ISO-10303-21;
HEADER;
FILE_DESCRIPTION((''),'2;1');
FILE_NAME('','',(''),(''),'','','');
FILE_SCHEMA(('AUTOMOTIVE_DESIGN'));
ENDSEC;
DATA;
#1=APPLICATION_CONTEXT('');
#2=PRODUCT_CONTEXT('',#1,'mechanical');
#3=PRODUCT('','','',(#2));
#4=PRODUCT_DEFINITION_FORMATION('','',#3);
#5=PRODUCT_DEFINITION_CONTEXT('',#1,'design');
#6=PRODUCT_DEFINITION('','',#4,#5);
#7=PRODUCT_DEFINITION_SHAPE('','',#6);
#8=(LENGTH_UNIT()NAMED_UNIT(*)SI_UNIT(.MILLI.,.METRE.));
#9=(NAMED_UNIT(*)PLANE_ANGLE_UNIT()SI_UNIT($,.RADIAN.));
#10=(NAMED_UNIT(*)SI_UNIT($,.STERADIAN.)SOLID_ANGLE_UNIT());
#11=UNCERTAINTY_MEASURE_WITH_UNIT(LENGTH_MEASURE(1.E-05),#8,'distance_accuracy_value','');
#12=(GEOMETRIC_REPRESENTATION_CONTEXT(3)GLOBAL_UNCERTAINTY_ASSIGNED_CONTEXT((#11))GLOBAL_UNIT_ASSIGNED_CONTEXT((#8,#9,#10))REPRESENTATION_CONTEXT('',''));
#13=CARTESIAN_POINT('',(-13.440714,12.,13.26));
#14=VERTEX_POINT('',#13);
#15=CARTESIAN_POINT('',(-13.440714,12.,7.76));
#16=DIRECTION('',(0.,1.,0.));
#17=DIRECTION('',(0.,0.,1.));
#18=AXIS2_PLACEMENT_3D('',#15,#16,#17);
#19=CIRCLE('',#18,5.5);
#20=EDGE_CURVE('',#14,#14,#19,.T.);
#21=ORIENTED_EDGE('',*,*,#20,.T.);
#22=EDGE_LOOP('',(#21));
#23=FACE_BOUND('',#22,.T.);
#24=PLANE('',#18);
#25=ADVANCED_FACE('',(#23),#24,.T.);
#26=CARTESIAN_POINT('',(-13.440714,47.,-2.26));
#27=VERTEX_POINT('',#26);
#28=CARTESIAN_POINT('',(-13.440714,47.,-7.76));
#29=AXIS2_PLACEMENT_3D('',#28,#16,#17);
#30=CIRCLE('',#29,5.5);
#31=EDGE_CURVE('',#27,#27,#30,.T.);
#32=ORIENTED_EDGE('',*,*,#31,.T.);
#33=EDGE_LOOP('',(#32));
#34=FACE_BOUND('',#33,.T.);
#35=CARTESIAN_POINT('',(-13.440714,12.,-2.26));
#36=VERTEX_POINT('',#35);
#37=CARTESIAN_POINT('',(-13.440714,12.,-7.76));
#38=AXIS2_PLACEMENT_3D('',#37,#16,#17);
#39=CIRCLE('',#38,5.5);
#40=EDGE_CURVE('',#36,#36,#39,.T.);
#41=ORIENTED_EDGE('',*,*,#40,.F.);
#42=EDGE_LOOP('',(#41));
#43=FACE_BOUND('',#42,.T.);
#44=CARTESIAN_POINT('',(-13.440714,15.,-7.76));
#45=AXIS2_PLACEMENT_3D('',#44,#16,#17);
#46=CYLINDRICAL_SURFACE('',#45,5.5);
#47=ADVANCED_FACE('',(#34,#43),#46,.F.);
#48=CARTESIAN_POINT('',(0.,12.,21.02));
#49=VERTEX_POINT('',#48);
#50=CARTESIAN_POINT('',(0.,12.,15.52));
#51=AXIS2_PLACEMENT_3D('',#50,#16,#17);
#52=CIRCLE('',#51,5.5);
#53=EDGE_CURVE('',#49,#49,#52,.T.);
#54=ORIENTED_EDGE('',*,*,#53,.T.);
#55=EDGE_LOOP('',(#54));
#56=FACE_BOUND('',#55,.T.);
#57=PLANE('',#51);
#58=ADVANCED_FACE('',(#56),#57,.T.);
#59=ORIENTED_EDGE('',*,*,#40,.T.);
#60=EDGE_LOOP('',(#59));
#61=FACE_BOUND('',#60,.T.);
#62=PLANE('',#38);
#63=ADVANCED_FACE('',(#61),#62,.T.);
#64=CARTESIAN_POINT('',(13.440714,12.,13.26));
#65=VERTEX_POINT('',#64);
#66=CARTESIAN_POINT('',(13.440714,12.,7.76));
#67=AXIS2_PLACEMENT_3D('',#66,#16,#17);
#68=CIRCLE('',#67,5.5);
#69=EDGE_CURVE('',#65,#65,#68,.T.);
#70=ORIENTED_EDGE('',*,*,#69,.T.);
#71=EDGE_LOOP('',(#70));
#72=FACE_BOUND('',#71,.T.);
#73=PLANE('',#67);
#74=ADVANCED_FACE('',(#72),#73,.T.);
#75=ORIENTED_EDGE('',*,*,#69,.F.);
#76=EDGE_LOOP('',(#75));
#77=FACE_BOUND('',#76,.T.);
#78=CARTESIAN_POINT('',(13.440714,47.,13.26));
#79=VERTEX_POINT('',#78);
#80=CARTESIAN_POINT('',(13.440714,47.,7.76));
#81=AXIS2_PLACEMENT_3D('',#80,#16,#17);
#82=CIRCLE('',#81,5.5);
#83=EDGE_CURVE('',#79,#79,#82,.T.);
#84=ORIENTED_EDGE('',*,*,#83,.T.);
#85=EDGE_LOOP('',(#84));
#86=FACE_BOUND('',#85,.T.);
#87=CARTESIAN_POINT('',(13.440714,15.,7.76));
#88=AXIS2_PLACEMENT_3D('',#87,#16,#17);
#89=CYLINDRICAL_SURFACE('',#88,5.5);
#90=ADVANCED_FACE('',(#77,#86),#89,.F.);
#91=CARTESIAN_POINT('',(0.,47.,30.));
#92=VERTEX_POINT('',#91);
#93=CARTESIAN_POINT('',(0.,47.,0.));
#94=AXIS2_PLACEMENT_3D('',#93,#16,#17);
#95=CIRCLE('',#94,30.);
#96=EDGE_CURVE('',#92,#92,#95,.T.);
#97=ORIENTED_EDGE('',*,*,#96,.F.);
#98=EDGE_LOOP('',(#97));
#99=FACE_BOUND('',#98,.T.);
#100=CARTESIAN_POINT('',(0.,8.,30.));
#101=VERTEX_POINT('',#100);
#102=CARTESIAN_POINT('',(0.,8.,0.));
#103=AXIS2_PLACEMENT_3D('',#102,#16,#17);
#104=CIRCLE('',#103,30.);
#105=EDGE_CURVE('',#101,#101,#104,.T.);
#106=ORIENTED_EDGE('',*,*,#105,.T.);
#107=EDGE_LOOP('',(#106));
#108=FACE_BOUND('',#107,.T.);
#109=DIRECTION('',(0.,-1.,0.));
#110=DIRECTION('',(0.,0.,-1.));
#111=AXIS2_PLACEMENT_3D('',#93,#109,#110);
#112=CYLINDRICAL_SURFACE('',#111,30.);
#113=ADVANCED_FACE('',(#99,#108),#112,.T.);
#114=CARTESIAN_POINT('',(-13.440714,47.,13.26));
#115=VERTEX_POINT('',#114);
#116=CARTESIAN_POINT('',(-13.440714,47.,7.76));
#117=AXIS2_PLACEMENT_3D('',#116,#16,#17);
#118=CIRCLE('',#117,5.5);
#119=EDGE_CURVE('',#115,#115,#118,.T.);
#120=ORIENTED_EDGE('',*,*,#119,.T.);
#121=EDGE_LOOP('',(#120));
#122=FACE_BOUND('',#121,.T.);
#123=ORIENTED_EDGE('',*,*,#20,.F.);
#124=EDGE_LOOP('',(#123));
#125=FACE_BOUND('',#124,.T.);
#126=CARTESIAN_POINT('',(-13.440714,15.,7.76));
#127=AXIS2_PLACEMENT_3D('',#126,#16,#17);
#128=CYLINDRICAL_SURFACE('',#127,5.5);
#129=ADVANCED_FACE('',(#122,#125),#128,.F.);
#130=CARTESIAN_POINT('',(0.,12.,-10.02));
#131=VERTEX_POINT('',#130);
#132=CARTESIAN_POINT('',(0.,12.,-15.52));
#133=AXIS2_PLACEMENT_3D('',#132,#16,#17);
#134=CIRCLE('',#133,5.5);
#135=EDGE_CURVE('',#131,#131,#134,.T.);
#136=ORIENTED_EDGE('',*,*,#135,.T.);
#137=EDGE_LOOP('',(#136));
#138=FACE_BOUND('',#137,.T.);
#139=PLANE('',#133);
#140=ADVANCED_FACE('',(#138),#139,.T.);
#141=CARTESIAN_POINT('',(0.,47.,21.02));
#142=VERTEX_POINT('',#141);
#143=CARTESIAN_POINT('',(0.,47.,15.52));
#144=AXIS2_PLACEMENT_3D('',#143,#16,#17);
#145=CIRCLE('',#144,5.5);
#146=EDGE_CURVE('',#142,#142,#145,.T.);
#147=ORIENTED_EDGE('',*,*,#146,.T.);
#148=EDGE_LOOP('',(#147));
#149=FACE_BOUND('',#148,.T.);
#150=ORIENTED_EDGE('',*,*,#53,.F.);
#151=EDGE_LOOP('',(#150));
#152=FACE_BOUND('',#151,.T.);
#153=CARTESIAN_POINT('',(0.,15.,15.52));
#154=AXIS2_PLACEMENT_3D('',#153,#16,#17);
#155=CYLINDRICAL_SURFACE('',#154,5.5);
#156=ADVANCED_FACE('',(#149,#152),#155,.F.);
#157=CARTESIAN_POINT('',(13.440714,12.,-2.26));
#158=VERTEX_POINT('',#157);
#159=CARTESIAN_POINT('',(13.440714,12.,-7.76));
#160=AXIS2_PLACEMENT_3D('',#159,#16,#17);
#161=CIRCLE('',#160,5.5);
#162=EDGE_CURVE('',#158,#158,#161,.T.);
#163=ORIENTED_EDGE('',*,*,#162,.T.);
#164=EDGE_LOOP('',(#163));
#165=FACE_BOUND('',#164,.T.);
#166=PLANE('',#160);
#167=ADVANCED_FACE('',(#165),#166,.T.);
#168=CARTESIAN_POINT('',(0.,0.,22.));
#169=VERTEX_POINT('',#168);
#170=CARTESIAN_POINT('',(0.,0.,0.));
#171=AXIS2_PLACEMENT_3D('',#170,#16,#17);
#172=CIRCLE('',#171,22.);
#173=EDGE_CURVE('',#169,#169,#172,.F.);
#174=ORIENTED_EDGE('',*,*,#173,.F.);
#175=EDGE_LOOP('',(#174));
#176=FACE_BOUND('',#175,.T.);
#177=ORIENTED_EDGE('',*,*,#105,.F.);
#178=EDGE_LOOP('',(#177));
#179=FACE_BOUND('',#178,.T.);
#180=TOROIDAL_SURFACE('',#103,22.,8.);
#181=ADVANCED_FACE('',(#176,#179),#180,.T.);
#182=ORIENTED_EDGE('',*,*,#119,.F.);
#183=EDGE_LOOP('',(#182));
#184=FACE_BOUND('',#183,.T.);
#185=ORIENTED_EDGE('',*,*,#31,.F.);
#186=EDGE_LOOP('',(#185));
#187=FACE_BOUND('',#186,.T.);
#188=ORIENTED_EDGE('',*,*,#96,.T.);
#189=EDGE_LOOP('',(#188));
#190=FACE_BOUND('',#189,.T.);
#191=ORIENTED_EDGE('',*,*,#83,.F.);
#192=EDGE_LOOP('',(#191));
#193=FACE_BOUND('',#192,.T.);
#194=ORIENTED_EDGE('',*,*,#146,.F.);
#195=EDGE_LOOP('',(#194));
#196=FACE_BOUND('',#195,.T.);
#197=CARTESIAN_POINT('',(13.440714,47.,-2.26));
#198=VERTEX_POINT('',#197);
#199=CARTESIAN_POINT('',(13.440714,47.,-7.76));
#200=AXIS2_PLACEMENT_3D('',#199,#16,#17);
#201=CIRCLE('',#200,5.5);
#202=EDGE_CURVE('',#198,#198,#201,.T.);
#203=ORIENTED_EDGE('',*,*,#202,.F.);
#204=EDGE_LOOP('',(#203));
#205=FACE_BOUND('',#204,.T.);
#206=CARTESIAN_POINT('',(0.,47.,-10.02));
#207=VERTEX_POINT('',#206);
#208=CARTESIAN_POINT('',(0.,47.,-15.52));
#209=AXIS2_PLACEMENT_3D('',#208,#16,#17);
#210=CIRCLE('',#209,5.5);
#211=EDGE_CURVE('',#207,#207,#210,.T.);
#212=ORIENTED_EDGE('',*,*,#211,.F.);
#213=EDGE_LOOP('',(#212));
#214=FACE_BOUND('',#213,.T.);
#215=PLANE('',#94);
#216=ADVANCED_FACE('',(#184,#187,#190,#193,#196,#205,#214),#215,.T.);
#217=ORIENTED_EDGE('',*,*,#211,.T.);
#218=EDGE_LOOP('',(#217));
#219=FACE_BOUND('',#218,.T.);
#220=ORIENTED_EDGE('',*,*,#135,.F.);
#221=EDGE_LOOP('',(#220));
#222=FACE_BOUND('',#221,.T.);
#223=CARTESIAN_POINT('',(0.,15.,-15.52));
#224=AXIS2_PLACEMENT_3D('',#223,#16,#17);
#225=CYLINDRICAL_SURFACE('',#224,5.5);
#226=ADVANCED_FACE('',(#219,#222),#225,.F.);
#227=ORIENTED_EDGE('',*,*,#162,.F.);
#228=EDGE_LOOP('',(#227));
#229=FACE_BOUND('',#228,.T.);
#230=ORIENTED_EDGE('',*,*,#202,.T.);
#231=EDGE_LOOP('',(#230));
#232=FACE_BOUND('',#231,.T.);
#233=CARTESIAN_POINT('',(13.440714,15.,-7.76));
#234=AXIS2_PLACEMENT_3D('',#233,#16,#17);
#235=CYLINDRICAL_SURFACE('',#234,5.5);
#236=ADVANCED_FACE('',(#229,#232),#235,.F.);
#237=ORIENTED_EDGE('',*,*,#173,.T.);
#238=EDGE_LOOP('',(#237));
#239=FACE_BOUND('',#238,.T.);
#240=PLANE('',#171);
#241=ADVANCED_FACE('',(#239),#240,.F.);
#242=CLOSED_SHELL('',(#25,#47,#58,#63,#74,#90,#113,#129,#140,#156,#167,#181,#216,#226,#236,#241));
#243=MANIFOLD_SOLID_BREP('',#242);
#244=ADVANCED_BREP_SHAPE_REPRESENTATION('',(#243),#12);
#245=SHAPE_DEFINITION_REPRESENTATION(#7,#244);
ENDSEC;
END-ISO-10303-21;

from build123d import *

# Parameters (mm, degrees)
SKETCH1_R           = 30
BOSS_EXTRUDE1_DEPTH = 47
SKETCH2_R           = 5.5
CUT_EXTRUDE1_DEPTH  = 32
FILLET1_R           = 8
SKETCH2_3_R         = 5.5
CUT_EXTRUDE2_DEPTH  = 35


with BuildPart() as part:
    # Sketch1 → Boss-Extrude1 (new body)
    with BuildSketch(Plane(origin=(0, 0, 0), x_dir=(1, 0, 0), z_dir=(0, 1, 0))):
        Circle(SKETCH1_R)
    extrude(amount=BOSS_EXTRUDE1_DEPTH)

    # Sketch2 → Cut-Extrude1 (cut)
    with BuildSketch(Plane(origin=(0, 47, 0), x_dir=(1, 0, 0), z_dir=(0, 1, 0))):
        with Locations((0, 15.52)):
            Circle(SKETCH2_R)
        with Locations((-13.440714267, 7.76)):
            Circle(SKETCH2_R)
        with Locations((-13.440714267, -7.76)):
            Circle(SKETCH2_R)
        with Locations((0, -15.52)):
            Circle(SKETCH2_R)
        with Locations((13.440714267, -7.76)):
            Circle(SKETCH2_R)
        with Locations((13.440714267, 7.76)):
            Circle(SKETCH2_R)
    extrude(amount=-CUT_EXTRUDE1_DEPTH, mode=Mode.SUBTRACT)

    # Fillet1
    fillet1_edges = [part.edges().sort_by_distance(p)[0] for p in [
        (-30, 0, 0),
    ]]
    fillet(fillet1_edges, radius=FILLET1_R)

    # Sketch2<3> → Cut-Extrude2 (cut)
    with BuildSketch(Plane(origin=(0, 47, 0), x_dir=(1, 0, 0), z_dir=(0, 1, 0))):
        with Locations((0, 15.52)):
            Circle(SKETCH2_3_R)
        with Locations((-13.440714267, 7.76)):
            Circle(SKETCH2_3_R)
        with Locations((-13.440714267, -7.76)):
            Circle(SKETCH2_3_R)
        with Locations((0, -15.52)):
            Circle(SKETCH2_3_R)
        with Locations((13.440714267, -7.76)):
            Circle(SKETCH2_3_R)
        with Locations((13.440714267, 7.76)):
            Circle(SKETCH2_3_R)
    extrude(amount=-CUT_EXTRUDE2_DEPTH, mode=Mode.SUBTRACT)


solid = part.part
